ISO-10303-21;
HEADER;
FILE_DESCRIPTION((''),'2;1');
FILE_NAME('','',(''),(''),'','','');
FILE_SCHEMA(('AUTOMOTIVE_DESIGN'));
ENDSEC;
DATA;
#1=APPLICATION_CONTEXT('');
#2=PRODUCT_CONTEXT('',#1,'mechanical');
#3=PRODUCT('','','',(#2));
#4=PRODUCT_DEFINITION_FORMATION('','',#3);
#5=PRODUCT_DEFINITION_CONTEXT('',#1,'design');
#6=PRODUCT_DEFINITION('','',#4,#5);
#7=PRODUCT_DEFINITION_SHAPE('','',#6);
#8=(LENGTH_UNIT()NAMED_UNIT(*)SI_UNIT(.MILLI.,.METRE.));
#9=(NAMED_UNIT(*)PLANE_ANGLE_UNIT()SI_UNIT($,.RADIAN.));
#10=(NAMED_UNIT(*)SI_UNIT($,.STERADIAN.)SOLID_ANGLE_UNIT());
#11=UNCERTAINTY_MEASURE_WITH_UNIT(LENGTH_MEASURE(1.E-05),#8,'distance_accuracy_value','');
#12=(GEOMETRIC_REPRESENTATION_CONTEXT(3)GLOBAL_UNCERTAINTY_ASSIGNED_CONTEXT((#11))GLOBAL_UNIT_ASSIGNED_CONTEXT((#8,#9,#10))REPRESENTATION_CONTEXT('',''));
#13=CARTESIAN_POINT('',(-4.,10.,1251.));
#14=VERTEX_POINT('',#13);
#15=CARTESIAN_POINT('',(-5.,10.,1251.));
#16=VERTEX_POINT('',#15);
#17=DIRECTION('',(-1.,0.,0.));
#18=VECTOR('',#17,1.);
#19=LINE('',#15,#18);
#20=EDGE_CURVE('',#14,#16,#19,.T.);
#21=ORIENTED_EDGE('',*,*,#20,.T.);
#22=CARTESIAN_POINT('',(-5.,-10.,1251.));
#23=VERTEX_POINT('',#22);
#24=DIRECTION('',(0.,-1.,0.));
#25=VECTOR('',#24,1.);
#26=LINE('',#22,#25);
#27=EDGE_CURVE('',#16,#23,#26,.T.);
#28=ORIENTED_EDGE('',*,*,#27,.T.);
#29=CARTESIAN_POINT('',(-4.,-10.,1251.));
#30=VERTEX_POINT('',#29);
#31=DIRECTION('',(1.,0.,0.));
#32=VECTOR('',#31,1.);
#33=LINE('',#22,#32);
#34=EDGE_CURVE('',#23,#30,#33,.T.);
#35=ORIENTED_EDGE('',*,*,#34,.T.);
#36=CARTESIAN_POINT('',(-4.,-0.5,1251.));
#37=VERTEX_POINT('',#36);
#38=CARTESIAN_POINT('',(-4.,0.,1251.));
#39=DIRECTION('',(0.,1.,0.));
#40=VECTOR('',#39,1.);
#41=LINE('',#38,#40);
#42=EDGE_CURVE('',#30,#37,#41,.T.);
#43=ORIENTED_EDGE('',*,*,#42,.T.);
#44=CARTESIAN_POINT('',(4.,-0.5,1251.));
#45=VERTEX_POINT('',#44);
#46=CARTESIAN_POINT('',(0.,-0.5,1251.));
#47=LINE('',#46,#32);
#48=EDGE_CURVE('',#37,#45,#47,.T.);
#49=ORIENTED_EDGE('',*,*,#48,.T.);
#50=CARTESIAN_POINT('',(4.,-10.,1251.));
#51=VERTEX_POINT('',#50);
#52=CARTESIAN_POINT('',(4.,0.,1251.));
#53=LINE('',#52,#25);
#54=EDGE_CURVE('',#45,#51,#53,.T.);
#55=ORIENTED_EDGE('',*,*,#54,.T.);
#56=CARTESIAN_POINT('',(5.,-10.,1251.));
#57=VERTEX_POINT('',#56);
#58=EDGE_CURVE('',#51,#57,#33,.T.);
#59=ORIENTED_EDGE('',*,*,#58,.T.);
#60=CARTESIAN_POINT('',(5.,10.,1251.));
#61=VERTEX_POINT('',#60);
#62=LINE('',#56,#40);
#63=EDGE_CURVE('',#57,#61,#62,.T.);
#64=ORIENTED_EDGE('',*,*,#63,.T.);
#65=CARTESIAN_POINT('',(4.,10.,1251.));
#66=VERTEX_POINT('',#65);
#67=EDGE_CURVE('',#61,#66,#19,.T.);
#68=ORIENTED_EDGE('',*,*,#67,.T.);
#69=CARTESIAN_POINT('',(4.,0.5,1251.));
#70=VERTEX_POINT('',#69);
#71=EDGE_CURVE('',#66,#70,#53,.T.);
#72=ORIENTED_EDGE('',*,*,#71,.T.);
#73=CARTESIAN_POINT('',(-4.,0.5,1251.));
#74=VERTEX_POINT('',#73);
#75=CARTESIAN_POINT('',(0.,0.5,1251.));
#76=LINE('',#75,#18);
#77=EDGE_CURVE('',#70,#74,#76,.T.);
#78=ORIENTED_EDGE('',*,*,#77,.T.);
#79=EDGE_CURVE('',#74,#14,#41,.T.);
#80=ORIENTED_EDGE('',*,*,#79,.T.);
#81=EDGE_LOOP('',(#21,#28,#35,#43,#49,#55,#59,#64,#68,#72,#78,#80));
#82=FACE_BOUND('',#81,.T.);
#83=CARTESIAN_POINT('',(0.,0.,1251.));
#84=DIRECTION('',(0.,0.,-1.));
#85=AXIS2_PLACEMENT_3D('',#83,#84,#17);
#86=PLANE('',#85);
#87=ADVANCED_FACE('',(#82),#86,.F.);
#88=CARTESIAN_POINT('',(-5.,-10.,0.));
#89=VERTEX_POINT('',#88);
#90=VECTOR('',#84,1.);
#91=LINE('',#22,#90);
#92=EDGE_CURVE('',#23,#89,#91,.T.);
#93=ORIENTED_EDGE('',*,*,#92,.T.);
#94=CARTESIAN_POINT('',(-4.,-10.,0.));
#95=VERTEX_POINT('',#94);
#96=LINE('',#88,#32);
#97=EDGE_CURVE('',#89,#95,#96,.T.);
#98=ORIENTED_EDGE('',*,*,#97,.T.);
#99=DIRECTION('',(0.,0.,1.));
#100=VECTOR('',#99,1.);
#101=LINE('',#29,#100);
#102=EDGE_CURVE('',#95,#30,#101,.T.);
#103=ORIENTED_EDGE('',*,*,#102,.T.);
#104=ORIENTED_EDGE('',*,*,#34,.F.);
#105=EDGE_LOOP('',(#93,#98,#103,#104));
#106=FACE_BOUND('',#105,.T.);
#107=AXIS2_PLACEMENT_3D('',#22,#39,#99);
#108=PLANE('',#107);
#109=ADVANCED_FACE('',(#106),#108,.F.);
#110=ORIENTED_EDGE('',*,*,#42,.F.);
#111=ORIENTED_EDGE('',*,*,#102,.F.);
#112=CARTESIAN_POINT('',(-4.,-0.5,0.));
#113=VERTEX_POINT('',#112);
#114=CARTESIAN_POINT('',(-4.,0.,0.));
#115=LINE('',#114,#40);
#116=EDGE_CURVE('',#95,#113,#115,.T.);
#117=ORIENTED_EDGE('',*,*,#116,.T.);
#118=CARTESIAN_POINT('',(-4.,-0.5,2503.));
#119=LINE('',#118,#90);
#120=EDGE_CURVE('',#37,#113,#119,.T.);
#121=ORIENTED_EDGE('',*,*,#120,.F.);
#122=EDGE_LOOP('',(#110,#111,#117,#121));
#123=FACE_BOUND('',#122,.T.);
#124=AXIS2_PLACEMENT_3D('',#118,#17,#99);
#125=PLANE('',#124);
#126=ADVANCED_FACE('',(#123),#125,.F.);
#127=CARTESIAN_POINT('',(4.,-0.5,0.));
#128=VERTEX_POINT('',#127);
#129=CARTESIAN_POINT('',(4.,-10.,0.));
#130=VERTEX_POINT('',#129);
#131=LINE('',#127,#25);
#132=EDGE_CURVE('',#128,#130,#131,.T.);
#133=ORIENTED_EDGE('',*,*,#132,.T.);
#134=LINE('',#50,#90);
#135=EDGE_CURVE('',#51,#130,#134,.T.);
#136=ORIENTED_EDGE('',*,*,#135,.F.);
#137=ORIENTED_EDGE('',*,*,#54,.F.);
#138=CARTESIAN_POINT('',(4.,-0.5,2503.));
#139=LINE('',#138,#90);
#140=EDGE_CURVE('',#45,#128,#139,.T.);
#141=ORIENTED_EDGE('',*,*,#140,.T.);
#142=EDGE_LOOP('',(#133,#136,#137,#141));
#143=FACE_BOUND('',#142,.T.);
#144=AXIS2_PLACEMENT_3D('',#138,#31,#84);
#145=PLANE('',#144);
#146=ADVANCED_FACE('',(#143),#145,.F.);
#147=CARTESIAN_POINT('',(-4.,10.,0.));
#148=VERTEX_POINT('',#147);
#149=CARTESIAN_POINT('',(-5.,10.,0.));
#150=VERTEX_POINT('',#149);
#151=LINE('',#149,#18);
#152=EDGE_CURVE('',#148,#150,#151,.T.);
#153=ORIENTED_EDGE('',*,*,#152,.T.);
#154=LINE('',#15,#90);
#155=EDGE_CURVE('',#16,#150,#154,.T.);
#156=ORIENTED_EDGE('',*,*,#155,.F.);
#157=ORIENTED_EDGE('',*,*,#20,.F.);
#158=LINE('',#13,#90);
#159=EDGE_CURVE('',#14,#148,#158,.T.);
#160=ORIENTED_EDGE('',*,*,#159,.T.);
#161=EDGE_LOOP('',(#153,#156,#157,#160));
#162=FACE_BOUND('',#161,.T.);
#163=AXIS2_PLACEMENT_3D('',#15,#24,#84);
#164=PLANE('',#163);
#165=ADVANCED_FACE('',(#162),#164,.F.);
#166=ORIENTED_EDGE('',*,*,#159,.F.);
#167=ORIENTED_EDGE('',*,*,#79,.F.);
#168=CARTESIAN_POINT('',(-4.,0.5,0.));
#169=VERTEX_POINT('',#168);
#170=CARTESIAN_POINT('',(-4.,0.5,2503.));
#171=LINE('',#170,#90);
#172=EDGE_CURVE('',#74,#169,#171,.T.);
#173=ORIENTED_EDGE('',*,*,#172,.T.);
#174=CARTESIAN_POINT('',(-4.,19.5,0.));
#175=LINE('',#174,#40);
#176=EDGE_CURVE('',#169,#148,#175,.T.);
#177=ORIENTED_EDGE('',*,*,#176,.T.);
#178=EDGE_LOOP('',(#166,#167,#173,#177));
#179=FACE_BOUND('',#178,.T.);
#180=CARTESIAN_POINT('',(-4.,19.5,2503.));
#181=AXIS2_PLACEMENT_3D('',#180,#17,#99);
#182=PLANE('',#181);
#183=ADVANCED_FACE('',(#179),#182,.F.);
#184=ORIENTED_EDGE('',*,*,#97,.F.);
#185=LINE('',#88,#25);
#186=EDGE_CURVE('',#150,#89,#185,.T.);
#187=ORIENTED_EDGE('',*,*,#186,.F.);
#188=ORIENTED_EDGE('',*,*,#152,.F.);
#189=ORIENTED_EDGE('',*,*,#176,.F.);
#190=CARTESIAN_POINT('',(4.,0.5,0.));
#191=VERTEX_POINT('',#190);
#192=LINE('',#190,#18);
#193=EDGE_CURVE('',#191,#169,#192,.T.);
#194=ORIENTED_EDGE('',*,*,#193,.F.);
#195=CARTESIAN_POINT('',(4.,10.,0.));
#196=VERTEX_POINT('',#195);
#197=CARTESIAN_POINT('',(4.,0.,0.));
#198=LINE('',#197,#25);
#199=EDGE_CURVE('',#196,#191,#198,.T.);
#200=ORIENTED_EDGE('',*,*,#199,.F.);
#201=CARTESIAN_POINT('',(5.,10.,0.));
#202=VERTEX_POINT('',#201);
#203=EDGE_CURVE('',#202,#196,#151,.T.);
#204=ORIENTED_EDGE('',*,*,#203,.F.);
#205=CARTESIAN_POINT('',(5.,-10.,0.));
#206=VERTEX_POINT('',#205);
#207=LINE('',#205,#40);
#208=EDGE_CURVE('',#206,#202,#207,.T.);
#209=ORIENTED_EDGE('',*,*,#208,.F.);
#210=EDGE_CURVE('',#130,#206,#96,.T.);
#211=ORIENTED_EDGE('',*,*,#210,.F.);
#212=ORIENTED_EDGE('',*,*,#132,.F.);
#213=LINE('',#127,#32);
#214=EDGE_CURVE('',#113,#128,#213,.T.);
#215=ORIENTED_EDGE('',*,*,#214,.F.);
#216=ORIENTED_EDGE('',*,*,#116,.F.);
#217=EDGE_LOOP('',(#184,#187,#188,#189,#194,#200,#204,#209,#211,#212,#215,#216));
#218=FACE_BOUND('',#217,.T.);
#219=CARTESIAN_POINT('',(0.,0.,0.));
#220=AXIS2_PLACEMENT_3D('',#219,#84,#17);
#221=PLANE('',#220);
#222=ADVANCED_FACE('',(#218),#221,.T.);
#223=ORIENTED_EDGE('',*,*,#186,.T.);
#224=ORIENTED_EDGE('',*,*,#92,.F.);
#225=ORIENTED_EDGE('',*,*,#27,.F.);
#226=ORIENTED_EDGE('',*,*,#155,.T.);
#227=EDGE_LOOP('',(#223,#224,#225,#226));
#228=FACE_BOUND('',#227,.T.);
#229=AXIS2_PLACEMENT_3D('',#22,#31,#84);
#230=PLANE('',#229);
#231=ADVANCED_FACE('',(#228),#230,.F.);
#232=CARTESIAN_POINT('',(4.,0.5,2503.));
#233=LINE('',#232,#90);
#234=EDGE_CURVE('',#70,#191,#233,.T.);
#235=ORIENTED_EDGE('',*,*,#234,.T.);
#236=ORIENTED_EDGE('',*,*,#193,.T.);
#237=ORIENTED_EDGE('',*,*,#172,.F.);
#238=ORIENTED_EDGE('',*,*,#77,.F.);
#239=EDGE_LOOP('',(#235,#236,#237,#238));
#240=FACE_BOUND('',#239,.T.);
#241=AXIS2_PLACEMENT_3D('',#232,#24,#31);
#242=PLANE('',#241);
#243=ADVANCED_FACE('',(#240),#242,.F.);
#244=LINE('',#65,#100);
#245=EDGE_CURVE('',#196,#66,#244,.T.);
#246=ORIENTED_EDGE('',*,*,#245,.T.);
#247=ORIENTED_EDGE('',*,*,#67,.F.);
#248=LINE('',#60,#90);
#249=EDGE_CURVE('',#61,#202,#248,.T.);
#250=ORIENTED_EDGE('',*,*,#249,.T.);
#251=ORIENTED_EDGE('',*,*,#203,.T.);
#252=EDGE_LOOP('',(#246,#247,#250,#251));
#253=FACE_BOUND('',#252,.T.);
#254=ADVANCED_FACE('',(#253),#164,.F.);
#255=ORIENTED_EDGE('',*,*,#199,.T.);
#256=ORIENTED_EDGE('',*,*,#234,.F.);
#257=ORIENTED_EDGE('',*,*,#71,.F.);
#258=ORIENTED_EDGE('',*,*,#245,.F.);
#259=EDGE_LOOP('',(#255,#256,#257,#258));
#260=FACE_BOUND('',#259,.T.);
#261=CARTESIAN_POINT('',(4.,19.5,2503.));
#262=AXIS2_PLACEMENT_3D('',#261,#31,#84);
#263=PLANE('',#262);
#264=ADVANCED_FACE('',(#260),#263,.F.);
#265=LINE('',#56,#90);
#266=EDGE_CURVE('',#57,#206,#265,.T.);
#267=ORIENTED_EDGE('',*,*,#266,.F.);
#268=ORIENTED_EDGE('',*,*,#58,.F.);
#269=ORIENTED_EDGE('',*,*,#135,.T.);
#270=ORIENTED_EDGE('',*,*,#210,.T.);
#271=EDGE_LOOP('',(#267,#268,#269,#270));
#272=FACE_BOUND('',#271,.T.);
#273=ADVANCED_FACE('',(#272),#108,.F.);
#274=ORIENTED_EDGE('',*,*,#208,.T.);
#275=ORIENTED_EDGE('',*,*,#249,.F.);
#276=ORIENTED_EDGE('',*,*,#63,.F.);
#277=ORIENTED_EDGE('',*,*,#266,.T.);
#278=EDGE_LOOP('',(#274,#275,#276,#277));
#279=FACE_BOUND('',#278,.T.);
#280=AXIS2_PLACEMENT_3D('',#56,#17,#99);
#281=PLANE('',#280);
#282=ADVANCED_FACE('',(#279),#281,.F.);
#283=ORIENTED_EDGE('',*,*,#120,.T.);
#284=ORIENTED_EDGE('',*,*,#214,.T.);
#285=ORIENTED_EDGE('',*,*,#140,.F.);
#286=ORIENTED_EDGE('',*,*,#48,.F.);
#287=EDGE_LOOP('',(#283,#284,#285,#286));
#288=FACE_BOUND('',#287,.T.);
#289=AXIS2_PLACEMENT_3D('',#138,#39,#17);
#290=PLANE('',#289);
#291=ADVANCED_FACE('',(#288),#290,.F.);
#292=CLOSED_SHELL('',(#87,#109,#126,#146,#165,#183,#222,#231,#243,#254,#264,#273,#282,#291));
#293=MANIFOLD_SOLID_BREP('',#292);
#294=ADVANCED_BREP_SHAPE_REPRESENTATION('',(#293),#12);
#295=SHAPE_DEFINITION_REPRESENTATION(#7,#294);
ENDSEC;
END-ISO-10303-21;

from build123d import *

# Parameters (mm, degrees)
SKETCH_1_W          = 10
SKETCH_1_H          = 20
EXTRUDE_1_DEPTH     = 1251
SKETCH_2_W          = 8
SKETCH_2_H          = 19
CUT_EXTRUDE_1_DEPTH = 2503


with BuildPart() as part:
    # 草图1 → 凸台-拉伸1 (new body)
    with BuildSketch(Plane.XY):
        Rectangle(SKETCH_1_W, SKETCH_1_H)
    extrude(amount=EXTRUDE_1_DEPTH)

    # 草图2 → 切除-拉伸1 (cut)
    with BuildSketch(Plane(origin=(0, 0, 0), x_dir=(-1, 0, 0), z_dir=(0, 0, -1))):
        with Locations((0, 10)):
            Rectangle(SKETCH_2_W, SKETCH_2_H)
        with Locations((0, -10)):
            Rectangle(SKETCH_2_W, SKETCH_2_H)
    extrude(amount=-CUT_EXTRUDE_1_DEPTH, mode=Mode.SUBTRACT)


solid = part.part
